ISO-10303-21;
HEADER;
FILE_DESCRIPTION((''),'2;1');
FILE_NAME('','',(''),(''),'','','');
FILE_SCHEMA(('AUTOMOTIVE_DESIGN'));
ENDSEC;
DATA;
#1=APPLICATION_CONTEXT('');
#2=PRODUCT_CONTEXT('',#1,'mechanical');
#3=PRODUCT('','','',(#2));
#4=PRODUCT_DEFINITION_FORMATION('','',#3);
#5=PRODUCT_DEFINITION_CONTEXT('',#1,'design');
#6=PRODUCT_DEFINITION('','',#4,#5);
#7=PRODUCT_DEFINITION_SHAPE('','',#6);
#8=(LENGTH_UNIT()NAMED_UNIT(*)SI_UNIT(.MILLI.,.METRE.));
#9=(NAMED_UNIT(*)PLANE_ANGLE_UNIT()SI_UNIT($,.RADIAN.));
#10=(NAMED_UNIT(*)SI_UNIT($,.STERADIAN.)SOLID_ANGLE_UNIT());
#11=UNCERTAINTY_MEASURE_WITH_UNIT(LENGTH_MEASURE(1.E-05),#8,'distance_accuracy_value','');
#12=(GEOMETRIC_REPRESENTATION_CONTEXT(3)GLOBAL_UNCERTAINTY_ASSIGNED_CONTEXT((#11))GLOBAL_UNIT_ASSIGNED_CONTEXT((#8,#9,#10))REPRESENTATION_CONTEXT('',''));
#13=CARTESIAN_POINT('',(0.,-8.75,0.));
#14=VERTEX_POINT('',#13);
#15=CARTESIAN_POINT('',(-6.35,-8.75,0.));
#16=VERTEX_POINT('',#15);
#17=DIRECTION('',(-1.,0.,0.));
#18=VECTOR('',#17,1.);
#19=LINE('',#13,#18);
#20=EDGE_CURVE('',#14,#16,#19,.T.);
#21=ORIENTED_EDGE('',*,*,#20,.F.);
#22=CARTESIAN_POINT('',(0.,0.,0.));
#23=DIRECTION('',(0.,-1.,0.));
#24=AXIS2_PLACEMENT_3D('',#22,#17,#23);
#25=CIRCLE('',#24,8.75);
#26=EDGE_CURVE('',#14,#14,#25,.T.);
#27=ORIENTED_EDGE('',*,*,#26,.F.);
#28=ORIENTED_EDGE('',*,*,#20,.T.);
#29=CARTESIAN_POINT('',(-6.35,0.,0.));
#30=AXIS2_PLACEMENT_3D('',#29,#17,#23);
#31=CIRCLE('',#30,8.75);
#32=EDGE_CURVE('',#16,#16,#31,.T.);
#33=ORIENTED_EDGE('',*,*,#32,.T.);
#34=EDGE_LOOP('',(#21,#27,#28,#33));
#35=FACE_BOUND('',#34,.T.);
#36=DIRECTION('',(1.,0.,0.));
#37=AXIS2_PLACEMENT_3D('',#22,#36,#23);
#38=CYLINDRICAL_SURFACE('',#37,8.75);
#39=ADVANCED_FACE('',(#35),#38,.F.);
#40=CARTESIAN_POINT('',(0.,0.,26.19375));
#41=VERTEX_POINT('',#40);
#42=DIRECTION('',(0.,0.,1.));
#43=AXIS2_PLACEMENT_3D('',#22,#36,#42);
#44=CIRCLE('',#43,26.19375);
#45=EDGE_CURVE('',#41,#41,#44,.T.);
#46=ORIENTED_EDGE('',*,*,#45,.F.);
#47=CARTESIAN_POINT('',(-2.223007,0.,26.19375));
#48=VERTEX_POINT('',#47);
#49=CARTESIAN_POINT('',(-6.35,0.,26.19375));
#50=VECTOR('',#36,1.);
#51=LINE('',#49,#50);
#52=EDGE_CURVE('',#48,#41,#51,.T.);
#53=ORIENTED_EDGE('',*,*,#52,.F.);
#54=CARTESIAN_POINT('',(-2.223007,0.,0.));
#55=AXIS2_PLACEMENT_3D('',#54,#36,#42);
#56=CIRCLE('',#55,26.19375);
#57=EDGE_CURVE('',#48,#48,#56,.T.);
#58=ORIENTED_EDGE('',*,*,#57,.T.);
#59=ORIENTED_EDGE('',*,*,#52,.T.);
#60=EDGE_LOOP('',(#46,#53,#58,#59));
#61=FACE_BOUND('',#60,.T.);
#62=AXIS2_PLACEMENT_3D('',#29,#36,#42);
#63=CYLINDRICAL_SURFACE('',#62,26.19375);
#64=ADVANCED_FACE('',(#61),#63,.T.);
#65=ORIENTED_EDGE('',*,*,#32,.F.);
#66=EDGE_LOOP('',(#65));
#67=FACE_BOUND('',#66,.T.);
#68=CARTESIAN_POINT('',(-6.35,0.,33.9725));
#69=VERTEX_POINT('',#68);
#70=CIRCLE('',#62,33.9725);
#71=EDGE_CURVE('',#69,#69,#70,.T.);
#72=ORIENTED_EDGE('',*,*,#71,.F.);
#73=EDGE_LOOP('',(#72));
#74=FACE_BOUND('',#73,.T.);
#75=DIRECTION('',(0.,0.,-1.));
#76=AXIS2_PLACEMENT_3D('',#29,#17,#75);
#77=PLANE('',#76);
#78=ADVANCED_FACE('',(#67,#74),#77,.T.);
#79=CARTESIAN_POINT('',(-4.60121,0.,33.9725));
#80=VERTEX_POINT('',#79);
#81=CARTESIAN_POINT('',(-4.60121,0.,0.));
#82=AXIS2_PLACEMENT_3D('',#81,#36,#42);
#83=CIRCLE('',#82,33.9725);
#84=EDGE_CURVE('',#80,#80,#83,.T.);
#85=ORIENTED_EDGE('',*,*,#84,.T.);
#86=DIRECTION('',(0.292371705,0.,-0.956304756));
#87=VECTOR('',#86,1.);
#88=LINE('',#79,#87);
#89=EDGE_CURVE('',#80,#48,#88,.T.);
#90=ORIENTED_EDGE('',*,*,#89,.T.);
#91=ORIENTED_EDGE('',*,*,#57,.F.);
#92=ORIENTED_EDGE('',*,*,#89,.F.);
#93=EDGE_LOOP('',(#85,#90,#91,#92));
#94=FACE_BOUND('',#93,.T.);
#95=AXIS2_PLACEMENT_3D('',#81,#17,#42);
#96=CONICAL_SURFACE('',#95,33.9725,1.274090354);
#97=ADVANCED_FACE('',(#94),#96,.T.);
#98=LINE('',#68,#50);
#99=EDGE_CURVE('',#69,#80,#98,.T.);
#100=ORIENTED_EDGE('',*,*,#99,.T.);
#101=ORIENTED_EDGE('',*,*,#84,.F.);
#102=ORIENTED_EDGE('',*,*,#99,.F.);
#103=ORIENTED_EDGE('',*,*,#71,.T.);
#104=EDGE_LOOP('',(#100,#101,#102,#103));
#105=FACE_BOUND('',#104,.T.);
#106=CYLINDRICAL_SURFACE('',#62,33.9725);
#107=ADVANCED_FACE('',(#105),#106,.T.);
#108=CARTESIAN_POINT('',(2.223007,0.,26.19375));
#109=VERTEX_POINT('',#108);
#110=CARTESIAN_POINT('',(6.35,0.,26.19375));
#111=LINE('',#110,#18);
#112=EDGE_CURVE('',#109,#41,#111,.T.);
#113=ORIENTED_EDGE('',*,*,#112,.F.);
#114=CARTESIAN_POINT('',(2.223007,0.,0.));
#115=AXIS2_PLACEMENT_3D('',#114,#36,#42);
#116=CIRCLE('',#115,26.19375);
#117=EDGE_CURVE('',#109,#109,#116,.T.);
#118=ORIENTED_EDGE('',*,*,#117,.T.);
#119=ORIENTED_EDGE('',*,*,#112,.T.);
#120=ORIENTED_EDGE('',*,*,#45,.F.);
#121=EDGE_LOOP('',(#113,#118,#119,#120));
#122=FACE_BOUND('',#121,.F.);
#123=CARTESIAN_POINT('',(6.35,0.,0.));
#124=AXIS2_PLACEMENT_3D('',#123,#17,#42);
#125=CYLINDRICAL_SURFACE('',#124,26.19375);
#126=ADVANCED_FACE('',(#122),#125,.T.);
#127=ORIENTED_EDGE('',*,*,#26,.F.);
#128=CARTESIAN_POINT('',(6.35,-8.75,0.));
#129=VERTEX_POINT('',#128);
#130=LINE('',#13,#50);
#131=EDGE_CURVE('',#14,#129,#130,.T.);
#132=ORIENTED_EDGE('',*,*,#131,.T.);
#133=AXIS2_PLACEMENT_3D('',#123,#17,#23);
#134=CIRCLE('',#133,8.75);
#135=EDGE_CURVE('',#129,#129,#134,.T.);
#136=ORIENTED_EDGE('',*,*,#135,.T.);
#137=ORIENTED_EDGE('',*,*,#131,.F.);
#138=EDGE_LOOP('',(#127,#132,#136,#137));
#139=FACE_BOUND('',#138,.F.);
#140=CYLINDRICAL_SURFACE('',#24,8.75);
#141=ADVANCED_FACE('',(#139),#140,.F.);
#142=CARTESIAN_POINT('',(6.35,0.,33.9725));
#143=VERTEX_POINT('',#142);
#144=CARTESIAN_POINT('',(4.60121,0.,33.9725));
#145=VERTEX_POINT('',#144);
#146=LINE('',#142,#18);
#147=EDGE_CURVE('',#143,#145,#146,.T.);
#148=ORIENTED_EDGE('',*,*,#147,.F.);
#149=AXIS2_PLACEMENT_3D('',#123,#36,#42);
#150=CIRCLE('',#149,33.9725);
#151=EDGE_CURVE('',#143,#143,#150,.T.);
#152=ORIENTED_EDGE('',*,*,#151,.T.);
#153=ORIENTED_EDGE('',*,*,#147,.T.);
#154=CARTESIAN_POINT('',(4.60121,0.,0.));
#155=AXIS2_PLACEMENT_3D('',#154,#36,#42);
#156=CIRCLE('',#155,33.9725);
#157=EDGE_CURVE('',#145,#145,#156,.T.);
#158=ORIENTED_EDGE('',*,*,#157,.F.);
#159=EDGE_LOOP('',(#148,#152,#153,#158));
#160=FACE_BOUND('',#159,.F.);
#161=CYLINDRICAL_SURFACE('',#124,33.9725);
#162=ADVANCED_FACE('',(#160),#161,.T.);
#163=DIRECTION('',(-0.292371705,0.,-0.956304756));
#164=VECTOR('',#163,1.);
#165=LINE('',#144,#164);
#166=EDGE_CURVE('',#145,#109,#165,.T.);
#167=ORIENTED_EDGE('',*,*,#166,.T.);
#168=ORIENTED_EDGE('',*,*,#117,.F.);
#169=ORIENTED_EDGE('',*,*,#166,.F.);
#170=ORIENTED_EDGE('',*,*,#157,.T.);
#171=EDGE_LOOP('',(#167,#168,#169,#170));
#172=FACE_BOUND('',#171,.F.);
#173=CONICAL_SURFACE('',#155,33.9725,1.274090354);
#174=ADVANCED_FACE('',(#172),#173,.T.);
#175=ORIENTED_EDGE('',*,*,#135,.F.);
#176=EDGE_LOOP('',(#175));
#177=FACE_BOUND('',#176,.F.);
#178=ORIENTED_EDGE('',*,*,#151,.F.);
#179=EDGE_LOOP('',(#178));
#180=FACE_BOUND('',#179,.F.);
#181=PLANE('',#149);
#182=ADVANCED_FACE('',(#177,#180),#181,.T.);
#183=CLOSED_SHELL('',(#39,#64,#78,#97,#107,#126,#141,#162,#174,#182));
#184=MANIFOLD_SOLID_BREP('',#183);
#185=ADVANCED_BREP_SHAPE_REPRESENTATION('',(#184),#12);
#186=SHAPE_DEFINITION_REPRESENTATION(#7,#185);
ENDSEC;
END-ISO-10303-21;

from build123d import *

# Parameters (mm, degrees)
F2_R     = 17.5
F3_DEPTH = 25
F5_SCALE = 0.5


with BuildPart() as f1:
    # F0 (on Front) → F1 (revolve)
    with BuildSketch(Plane.XZ):
        Polygon((0, 37.8452404466), (0, 0), (12.7, 0), (12.7, 52.3875), (4.4460149232, 52.3875), align=None)
        Polygon((0, 52.3875), (0, 37.8452404466), (4.4460149232, 52.3875), align=None)
        Polygon((9.20242, 67.945), (4.4460149232, 52.3875), (12.7, 52.3875), (12.7, 67.945), align=None)
    revolve(axis=Axis((21.4788783342, 0, 0), (1, 0, 0)))

    # F2 (on face) → F3 (cut)
    with BuildSketch(Plane(origin=(0, 0, 0), x_dir=(0, -1, 0), z_dir=(-1, 0, 0))):
        Circle(F2_R)
    extrude(amount=-F3_DEPTH, mode=Mode.SUBTRACT)

    # F4: F1 across plane


with BuildPart() as f1_1:
    add(f1.part)
    add(f1.part.mirror(Plane.YZ))


with BuildPart() as f1_2:
    # F5: moved
    add(f1_1.part.scale(F5_SCALE))


solid = f1_2.part
